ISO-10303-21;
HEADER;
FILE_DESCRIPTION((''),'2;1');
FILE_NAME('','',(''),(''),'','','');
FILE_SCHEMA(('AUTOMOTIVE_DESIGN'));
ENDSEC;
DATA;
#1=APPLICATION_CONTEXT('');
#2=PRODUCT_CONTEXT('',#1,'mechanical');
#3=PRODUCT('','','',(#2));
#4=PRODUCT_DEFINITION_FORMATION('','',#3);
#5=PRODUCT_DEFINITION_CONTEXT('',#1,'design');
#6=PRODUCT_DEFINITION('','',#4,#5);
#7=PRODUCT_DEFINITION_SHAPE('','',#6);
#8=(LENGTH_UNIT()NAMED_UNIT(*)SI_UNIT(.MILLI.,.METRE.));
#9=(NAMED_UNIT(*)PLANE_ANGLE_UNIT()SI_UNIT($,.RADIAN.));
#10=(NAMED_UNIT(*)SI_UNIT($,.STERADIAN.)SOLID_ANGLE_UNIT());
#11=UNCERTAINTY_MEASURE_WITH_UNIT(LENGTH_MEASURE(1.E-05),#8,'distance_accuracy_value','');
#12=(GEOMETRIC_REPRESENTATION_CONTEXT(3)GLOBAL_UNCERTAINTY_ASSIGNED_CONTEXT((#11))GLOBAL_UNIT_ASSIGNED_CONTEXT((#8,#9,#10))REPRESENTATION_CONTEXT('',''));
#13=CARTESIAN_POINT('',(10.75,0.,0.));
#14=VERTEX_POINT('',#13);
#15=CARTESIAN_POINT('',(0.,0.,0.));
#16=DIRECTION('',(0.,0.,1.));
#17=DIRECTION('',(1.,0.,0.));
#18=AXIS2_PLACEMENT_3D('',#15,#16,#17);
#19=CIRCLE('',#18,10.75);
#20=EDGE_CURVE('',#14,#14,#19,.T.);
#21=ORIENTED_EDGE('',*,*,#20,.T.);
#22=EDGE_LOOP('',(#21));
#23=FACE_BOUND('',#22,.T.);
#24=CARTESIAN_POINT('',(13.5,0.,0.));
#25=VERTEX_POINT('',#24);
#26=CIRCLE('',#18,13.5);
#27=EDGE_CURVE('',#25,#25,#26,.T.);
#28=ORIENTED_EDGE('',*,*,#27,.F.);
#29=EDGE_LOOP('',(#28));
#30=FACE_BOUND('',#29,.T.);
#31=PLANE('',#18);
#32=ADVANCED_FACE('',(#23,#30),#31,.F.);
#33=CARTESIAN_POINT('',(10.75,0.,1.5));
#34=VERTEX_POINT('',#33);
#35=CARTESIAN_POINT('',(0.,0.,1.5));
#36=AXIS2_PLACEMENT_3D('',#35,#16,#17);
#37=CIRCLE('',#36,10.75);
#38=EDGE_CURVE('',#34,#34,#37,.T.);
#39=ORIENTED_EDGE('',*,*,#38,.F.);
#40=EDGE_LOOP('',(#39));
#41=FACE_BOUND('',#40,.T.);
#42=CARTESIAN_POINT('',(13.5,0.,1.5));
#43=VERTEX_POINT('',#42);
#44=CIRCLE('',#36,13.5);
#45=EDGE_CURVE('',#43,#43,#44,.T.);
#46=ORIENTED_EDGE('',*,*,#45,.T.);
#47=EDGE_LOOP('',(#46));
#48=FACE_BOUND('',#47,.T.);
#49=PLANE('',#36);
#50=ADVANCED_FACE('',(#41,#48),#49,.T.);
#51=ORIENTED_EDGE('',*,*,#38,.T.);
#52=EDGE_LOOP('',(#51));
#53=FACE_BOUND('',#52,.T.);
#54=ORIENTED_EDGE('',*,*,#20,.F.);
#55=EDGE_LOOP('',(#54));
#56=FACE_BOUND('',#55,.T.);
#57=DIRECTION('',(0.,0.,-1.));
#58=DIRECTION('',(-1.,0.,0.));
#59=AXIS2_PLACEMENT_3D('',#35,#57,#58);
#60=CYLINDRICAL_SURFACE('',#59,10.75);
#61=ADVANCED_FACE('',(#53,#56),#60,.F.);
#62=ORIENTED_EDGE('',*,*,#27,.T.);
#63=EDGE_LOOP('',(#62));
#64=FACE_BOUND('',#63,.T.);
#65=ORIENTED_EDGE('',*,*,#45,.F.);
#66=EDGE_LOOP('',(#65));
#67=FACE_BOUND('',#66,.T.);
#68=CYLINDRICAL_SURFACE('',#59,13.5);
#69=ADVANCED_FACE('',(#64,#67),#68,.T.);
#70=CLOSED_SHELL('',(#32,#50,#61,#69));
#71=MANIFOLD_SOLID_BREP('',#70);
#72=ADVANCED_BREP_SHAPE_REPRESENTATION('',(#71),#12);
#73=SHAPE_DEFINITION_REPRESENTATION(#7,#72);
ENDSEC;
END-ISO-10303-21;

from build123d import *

# Parameters (mm, degrees)
ESQUISSE1_R          = 13.5
ESQUISSE1_R_2        = 10.75
BASE_EXTRUSION_DEPTH = 1.5


with BuildPart() as part:
    # Esquisse1 → Base-Extrusion (new body)
    with BuildSketch(Plane.XY):
        Circle(ESQUISSE1_R)
        Circle(ESQUISSE1_R_2, mode=Mode.SUBTRACT)
    extrude(amount=BASE_EXTRUSION_DEPTH)


solid = part.part
